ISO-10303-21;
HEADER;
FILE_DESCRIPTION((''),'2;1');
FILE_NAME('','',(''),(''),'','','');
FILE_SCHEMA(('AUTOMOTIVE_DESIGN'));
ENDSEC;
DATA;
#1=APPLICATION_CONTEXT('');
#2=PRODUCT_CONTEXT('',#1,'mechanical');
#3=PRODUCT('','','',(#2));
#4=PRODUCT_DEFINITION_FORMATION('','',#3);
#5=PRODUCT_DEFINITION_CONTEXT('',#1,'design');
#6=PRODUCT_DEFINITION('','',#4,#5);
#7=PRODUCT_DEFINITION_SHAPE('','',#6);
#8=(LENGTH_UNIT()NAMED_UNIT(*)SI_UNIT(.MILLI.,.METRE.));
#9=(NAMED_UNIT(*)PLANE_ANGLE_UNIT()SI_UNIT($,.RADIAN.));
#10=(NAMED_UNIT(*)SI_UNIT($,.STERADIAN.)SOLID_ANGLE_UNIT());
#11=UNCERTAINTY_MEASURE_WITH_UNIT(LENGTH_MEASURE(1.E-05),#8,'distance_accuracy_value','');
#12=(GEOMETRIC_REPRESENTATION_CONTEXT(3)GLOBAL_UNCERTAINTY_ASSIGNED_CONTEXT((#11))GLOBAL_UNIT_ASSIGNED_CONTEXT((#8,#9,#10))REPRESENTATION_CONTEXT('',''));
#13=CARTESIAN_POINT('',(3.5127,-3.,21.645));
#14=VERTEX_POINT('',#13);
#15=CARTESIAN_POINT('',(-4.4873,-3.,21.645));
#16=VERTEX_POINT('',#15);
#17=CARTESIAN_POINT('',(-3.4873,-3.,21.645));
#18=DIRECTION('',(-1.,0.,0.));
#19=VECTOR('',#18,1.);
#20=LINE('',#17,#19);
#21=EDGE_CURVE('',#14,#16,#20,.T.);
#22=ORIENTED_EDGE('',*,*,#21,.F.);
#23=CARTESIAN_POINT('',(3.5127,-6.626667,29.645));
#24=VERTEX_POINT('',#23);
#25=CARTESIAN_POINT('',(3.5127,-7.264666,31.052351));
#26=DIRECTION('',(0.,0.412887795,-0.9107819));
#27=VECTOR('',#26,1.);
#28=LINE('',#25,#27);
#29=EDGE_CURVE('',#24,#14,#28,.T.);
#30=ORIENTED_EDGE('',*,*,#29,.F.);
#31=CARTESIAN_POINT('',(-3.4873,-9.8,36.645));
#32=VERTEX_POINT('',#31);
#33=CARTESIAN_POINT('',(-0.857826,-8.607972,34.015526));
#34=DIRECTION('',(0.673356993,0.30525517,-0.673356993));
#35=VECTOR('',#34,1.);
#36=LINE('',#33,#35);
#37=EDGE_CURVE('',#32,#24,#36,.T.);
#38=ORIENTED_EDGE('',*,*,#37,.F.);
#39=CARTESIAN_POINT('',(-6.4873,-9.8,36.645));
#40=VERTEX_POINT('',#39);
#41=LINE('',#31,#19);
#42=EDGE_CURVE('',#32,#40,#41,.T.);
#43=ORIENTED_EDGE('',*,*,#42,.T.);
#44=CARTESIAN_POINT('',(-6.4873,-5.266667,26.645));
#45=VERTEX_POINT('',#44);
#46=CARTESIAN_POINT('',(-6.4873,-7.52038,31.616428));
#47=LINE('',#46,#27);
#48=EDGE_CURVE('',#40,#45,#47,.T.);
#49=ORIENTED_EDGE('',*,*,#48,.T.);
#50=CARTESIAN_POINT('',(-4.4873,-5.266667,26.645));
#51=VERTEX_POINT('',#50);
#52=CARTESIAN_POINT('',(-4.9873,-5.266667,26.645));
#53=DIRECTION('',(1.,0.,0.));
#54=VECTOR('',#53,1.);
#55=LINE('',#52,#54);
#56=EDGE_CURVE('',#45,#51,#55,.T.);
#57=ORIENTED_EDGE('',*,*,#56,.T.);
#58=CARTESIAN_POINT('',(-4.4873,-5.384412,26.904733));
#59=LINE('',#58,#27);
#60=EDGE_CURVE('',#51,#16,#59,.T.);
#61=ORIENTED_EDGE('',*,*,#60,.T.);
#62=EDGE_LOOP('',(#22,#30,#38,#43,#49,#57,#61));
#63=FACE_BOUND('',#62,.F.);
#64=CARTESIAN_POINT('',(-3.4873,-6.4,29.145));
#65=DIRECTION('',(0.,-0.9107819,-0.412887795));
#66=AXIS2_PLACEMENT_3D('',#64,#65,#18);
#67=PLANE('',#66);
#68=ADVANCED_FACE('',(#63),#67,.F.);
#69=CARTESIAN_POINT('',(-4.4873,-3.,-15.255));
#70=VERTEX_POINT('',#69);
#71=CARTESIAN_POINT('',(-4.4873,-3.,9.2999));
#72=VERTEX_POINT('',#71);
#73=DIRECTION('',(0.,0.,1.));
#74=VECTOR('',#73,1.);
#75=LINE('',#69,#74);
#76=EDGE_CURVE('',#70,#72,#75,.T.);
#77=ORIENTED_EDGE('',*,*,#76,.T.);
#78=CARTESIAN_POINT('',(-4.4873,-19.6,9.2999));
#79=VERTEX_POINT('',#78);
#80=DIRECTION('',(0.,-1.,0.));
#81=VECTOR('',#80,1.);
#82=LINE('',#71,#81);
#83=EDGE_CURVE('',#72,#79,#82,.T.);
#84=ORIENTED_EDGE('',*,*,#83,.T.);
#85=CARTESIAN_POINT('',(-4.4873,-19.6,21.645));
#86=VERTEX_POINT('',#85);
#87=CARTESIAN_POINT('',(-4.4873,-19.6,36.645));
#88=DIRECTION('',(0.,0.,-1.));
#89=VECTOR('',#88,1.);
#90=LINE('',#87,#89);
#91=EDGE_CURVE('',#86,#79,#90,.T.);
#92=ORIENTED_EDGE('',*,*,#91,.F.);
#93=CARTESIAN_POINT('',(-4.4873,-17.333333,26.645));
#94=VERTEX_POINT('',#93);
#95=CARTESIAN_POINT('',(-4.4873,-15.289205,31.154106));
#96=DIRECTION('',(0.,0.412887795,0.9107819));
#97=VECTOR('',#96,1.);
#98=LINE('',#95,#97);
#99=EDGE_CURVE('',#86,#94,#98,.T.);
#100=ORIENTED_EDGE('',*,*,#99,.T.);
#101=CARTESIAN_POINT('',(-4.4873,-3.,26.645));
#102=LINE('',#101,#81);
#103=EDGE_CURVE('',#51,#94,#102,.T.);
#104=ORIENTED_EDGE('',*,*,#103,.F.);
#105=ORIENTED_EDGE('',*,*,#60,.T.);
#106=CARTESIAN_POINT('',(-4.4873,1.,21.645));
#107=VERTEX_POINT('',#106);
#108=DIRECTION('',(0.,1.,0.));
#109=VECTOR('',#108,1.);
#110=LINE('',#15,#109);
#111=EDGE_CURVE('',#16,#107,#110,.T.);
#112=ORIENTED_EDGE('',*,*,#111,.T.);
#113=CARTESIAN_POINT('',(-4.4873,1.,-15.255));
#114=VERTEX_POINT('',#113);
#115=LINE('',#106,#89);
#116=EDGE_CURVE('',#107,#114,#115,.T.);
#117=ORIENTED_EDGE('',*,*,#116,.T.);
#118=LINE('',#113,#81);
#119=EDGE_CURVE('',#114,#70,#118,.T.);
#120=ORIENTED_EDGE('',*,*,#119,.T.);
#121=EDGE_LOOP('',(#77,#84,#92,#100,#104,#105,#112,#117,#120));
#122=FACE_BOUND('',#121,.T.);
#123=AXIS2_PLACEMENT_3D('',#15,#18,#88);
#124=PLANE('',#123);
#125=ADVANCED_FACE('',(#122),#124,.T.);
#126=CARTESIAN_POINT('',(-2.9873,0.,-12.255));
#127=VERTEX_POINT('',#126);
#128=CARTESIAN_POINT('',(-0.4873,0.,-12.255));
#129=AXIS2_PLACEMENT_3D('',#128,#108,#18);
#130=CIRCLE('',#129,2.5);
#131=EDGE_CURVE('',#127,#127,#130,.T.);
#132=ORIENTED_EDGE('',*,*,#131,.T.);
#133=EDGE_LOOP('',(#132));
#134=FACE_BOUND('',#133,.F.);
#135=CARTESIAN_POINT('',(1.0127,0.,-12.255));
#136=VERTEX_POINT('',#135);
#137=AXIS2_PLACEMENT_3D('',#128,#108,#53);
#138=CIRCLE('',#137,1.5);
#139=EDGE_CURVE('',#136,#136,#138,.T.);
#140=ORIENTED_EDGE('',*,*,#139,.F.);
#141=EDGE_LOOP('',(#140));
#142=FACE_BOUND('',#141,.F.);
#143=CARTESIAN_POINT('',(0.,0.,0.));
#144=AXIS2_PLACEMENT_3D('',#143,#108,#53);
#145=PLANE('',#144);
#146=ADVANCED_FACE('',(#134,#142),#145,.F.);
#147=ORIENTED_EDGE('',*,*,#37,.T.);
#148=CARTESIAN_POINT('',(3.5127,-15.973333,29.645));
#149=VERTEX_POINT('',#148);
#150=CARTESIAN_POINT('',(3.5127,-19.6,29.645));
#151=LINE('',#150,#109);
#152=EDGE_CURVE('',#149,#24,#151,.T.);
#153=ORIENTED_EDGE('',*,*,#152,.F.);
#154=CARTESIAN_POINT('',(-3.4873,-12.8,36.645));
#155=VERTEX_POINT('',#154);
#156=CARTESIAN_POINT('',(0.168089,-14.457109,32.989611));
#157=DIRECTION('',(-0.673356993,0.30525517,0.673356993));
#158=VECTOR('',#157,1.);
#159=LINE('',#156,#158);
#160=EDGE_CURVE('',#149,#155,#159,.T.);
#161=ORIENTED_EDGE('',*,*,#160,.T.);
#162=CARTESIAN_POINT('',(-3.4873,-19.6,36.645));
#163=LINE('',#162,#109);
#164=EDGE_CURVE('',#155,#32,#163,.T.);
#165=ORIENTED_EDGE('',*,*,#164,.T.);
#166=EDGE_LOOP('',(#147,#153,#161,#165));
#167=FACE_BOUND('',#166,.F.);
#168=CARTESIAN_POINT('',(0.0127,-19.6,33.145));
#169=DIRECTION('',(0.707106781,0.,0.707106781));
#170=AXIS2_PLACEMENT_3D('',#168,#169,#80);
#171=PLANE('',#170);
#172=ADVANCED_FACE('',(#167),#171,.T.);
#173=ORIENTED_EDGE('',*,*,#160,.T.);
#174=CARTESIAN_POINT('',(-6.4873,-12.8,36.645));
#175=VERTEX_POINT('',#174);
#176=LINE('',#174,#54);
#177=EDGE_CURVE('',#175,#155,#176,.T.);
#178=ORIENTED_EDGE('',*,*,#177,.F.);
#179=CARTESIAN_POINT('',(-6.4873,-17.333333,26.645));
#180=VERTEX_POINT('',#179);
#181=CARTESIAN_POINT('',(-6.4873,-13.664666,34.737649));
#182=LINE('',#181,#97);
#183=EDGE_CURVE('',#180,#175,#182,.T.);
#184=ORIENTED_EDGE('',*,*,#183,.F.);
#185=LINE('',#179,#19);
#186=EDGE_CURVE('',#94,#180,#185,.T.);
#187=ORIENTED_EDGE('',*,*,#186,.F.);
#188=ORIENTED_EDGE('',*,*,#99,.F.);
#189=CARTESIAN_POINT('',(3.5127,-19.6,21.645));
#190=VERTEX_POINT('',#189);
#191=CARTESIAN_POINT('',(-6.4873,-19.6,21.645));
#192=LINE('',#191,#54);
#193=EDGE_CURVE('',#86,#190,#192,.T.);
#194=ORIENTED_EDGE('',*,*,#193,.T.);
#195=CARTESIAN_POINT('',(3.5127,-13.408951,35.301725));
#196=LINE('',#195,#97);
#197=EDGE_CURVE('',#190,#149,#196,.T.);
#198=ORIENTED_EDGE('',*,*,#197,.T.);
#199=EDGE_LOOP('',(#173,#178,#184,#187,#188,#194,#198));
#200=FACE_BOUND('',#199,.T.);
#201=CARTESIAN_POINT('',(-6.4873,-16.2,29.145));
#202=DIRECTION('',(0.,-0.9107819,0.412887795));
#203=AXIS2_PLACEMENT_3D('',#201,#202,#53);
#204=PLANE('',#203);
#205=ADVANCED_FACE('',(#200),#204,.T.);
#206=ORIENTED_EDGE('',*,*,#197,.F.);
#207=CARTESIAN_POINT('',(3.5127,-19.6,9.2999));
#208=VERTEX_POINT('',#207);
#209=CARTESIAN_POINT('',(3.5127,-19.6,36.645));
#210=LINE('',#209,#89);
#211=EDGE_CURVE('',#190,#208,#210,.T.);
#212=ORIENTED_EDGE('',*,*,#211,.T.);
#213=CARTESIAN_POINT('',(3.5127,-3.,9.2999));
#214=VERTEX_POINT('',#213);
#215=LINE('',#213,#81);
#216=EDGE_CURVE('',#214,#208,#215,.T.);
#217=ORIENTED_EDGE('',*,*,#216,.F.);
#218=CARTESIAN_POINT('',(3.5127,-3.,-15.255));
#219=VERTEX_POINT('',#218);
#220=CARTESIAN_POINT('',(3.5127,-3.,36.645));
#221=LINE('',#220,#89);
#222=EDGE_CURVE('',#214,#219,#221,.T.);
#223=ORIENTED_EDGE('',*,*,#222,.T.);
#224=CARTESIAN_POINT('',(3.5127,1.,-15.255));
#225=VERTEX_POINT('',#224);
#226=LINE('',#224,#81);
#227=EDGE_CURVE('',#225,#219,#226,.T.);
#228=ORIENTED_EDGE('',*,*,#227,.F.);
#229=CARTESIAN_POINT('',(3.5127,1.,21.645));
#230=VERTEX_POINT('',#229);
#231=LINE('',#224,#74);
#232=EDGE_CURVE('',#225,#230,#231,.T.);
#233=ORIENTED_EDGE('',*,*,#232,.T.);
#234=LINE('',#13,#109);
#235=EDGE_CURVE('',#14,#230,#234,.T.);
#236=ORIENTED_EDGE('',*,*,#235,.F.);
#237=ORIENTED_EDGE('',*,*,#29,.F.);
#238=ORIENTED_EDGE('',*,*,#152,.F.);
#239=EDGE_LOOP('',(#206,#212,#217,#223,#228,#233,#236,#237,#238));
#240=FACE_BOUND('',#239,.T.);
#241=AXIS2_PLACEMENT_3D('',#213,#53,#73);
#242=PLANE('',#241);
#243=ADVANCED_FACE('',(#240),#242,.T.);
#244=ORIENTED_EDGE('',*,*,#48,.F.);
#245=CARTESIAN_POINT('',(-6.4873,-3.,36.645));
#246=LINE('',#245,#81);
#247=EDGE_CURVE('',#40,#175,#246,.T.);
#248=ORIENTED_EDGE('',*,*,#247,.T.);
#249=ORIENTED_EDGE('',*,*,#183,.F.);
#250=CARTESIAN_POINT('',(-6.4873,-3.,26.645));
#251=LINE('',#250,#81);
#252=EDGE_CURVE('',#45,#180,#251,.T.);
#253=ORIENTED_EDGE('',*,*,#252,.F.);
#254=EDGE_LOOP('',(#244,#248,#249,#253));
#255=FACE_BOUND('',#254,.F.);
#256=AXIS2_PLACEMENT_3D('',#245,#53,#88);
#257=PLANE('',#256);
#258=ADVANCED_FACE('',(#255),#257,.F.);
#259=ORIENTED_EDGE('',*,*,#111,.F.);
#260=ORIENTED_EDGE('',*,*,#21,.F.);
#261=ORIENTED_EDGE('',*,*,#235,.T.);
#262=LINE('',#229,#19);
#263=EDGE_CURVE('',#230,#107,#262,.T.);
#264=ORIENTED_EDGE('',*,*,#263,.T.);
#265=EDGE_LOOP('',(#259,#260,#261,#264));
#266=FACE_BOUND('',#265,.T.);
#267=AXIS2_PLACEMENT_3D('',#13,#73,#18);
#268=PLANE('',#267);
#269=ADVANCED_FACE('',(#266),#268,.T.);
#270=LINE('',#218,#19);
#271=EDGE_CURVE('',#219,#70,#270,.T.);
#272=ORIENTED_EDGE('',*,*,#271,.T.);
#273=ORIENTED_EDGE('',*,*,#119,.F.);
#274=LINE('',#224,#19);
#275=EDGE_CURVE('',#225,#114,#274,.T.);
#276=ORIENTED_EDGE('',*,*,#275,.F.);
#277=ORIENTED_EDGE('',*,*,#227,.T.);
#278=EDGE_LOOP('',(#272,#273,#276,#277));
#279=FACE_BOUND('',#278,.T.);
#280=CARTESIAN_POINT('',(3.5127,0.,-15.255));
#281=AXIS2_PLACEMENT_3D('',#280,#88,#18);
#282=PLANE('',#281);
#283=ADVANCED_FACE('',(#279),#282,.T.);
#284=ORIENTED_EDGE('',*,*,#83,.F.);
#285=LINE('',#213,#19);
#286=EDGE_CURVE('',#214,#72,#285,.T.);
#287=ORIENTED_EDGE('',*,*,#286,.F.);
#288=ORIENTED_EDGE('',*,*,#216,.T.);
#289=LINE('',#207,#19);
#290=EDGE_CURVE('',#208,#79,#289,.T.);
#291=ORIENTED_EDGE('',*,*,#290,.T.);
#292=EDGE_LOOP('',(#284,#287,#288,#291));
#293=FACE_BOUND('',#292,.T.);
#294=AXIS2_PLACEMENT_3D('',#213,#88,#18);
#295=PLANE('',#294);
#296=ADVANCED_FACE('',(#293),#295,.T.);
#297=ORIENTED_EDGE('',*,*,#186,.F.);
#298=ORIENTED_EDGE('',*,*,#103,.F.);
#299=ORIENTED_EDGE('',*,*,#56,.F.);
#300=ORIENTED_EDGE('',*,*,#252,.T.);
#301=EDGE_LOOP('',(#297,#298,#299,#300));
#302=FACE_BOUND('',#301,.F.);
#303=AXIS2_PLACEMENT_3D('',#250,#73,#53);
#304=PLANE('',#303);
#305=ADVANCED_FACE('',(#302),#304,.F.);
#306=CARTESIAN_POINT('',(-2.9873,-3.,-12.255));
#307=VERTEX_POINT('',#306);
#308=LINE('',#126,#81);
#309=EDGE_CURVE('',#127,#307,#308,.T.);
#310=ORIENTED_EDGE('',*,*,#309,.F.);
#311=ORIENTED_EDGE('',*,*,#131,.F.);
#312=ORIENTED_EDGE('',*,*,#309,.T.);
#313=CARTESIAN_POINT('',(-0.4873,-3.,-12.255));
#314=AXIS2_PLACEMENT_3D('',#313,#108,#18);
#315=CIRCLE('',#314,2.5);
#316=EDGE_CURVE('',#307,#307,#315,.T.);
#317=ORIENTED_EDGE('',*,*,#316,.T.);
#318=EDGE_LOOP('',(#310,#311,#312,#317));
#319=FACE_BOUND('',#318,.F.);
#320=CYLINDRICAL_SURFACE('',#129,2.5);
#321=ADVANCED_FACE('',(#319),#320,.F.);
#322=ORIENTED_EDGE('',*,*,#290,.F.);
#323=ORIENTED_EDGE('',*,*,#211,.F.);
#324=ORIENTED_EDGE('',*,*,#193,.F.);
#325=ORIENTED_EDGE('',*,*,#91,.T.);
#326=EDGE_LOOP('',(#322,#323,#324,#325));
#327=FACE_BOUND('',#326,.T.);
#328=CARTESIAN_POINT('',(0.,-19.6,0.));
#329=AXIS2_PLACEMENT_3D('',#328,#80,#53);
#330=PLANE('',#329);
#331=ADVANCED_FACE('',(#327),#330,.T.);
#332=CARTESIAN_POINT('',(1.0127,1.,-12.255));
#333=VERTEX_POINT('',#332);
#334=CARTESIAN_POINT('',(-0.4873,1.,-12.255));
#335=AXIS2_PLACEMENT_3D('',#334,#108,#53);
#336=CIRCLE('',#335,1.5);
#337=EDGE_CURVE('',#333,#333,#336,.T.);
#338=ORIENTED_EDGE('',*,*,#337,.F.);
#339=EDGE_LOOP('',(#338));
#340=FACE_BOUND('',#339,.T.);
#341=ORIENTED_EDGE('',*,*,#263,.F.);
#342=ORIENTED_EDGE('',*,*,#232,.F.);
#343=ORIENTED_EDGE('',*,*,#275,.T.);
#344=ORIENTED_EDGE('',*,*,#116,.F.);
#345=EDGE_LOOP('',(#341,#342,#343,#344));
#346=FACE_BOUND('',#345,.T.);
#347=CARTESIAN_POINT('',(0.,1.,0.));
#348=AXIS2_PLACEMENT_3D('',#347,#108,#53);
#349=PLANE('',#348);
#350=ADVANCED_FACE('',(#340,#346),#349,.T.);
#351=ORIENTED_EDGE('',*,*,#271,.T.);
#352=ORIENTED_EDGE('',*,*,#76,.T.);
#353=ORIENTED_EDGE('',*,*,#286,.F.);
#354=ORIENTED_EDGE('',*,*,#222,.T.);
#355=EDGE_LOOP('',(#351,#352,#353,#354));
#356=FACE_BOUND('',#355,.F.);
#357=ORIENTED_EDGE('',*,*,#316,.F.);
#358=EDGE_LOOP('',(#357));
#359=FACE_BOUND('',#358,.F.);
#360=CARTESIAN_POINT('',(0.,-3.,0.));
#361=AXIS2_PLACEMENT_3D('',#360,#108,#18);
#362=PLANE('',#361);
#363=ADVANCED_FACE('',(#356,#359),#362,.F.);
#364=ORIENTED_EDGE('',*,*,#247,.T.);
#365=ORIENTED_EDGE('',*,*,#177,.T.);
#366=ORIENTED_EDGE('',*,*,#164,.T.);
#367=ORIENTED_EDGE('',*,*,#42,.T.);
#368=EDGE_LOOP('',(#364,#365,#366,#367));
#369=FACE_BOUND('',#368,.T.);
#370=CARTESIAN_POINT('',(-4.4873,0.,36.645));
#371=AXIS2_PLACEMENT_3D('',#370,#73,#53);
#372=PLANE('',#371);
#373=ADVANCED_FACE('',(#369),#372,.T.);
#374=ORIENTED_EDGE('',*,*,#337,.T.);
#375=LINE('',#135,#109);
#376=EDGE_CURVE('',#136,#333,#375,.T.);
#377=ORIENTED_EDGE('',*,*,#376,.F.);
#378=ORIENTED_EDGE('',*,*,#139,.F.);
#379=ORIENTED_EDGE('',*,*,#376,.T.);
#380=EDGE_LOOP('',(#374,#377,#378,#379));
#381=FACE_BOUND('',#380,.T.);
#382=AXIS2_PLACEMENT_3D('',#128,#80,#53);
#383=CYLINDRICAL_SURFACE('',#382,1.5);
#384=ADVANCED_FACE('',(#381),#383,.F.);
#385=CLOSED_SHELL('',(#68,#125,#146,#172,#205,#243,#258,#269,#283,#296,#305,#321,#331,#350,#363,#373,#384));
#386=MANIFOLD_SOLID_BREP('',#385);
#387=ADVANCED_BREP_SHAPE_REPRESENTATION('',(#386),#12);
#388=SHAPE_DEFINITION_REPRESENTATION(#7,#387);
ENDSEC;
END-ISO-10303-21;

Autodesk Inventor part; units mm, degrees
ref_plane "YZ Plane" through (0, 0, 0) normal (1, 0, 0) x (0, 1, 0)
ref_plane "XZ Plane" through (0, 0, 0) normal (0, 1, 0) x (-1, 0, 0)
ref_plane "XY Plane" through (0, 0, 0) normal (0, 0, 1) x (1, 0, 0)
sketch "スケッチ1" plane through (0, 0, 0) normal (0, 1, 0) x (-1, 0, 0)
  line L0 (4.4873, 36.645) -> (-3.5127, 36.645)
  line L1 (-3.5127, 36.645) -> (-3.5127, -15.255)
  line L2 (-3.5127, -15.255) -> (4.4873, -15.255)
  line L3 (4.4873, -15.255) -> (4.4873, 36.645)
  circle A0 centre (0.4873, -12.255) radius 2.5
  line L4 (4.4873, 36.645) -> (9.3325, 36.645)
  line L5 (9.3325, 36.645) -> (9.3325, 26.645)
  line L6 (9.3325, 26.645) -> (4.4873, 26.645)
  line L7 (4.4873, 26.645) -> (4.4873, 36.645)
  point P0 (0, 0)
  dimension "d0" = 5
  dimension "d1" = 3
  dimension "d2" = 4
  dimension "d3" = 4
  dimension "d4" = 46.4
  dimension "d5" = 10
extrude "押し出し1" add sketch "スケッチ1" against normal blind 3 contours L3 L2 L1 L0
sketch "スケッチ2" plane through (0, 0, 0) normal (0, 1, 0) x (1, 0, 0)
  line L0 (3.5127, -36.645) -> (-4.4873, -36.645) projected
  line L1 (3.5127, 15.255) -> (3.5127, -36.645) projected
  line L2 (-4.4873, -36.645) -> (3.5127, -36.645)
  line L3 (3.5127, -36.645) -> (3.5127, 15.255)
  line L4 (3.5127, 15.255) -> (-4.4873, 15.255)
  line L5 (-4.4873, 15.255) -> (-4.4873, -36.645)
  circle A0 centre (-0.4873, 12.255) radius 1.5
  circle A1 centre (-0.4873, 12.255) radius 2.5 projected
  point P0 (0, 0)
  dimension "d8" = 3
extrude "押し出し2" add sketch "スケッチ2" along normal blind 1 contours L0 L5 L4 L1 | A1
sketch "スケッチ3" plane through (0, -3, 0) normal (0, -1, 0) x (1, 0, 0)
  line L0 (-4.4873, 36.645) -> (-4.4873, -15.255) projected
  line L1 (-4.4873, 36.645) -> (-6.4873, 36.645)
  line L2 (-6.4873, 36.645) -> (-6.4873, 26.645)
  line L3 (-6.4873, 26.645) -> (-4.4873, 26.645)
  line L4 (-4.4873, 26.645) -> (-4.4873, 36.645)
  line L5 (-4.4873, 36.645) -> (3.5127, 36.645)
  line L6 (3.5127, 36.645) -> (3.5127, 9.2999)
  line L7 (3.5127, 9.2999) -> (-4.4873, 9.2999)
  line L8 (-4.4873, 9.2999) -> (-4.4873, 36.645)
  line L9 (3.5127, -15.255) -> (3.5127, 36.645) projected
  point P0 (0, 0)
  dimension "d11" = 10
  dimension "d12" = 0
  dimension "d24" = 2
extrude "押し出し3" add sketch "スケッチ3" along normal blind 16.6
chamfer "面取り1" distance 7 angle 45 1 edges at (3.5127, -9.3, 36.645)
chamfer "面取り3" distance 15 distance2 6.8 1 edges at (-4.9873, -19.6, 36.645) measured on face at (0.846, -19.6, 21.8633)
sketch "スケッチ4" plane through (0, 1, 0) normal (0, 1, 0) x (1, 0, 0)
  line L0 (-4.4873, -36.645) -> (-6.4873, -36.645) projected
  line L1 (3.5127, -9.2999) -> (-4.4873, -9.2999) projected
  line L2 (-6.4873, -36.645) -> (3.5127, -36.645)
  line L3 (3.5127, -36.645) -> (3.5127, -9.2999)
  line L4 (3.5127, -9.2999) -> (-6.4873, -9.2999)
  line L5 (-6.4873, -9.2999) -> (-6.4873, -36.645)
  point P0 (0, 0)
extrude "押し出し4" cut sketch "スケッチ4" against normal blind 4
chamfer "面取り4" distance 6.8 distance2 15 1 edges at (-4.9873, -3, 36.645) measured on face at (-4.4873, -9.5333, 36.645)
sketch "スケッチ5" plane through (0, -3, 0) normal (0, 1, 0) x (1, 0, 0)
  line L0 (3.5127, -21.645) -> (-4.4873, -21.645) projected
  line L1 (-4.4873, -9.2999) -> (-4.4873, 15.255) projected
  line L2 (3.5127, -21.645) -> (-4.4873, -21.645)
  line L3 (-4.4873, -21.645) -> (-4.4873, -9.2999)
  line L4 (-4.4873, -9.2999) -> (3.5127, -9.2999)
  line L5 (3.5127, -9.2999) -> (3.5127, -21.645)
  point P0 (0, 0)
extrude "押し出し5" add sketch "スケッチ5" along normal blind 4
properties part number "armmodulepart2"
